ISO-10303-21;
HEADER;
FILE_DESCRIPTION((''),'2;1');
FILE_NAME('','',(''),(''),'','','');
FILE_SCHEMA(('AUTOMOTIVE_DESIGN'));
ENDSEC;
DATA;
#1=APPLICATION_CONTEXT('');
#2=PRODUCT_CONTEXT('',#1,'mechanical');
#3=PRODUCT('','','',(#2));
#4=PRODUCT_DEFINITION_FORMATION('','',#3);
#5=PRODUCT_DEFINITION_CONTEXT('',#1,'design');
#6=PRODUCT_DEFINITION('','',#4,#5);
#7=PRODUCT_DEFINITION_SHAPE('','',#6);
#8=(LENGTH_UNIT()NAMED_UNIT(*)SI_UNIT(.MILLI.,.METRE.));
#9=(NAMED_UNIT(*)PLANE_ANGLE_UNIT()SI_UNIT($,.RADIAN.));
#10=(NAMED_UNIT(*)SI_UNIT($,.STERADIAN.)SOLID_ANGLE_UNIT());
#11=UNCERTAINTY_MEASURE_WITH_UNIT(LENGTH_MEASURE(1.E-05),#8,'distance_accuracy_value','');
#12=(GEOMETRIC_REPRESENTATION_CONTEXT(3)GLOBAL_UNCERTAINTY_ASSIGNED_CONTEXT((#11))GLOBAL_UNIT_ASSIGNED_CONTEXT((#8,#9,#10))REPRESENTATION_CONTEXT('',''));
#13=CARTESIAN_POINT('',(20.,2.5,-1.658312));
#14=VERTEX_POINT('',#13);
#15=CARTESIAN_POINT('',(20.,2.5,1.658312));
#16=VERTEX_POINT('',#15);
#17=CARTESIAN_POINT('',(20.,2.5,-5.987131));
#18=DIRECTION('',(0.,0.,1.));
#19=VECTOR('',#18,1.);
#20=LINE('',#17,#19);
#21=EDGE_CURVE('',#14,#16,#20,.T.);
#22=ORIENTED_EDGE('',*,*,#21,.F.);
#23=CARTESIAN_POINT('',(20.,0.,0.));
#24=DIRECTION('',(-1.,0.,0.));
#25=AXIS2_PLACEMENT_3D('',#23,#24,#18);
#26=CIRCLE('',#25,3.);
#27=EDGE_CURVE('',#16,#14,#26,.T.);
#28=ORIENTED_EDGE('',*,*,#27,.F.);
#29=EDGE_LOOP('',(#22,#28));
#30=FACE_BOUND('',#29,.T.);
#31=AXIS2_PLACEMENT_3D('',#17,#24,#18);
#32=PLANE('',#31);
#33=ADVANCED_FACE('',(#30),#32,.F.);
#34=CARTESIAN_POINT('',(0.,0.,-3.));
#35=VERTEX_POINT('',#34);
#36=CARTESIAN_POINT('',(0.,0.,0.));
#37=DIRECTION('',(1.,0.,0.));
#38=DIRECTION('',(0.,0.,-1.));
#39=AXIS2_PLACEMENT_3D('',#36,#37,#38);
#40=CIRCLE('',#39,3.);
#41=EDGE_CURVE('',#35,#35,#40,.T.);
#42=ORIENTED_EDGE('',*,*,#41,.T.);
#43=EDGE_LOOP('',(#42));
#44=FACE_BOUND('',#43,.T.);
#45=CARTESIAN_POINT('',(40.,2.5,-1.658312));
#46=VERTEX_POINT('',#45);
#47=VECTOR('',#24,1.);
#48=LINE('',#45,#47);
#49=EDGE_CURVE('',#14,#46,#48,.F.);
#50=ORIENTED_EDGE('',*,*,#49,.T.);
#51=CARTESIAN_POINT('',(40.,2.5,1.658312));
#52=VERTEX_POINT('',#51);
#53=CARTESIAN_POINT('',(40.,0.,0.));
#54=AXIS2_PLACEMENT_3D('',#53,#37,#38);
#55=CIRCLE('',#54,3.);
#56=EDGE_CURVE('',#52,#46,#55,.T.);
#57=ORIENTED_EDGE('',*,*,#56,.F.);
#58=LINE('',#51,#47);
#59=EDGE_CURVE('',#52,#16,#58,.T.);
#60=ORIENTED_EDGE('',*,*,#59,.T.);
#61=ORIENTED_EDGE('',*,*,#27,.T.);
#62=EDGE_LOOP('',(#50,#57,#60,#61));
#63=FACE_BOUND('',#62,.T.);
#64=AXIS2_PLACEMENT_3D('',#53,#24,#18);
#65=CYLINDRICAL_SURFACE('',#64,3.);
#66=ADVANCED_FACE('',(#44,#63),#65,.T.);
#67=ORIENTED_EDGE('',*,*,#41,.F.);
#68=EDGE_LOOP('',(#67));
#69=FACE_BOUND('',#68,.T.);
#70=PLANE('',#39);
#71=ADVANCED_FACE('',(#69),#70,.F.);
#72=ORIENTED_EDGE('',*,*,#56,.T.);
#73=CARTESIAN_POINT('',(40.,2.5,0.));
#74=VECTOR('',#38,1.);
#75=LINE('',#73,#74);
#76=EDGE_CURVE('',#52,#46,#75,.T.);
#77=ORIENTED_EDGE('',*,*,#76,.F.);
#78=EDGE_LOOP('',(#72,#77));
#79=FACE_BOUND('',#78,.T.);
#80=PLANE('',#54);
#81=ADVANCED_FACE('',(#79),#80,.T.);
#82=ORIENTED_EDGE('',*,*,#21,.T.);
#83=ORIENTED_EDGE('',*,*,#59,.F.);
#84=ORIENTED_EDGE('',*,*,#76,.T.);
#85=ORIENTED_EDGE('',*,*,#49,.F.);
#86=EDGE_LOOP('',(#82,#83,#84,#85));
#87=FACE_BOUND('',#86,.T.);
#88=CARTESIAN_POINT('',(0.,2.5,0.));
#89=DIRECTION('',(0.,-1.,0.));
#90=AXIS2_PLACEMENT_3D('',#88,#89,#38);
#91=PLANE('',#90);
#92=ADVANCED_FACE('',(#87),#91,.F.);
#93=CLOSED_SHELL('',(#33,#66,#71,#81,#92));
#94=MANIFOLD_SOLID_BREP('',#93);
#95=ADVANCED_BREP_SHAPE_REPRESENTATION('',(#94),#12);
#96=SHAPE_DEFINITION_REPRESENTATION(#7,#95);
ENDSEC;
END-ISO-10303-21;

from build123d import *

# Parameters (mm, degrees)
SKETCH1_R           = 3
BOSS_EXTRUDE1_DEPTH = 40
SKETCH2_W           = 20
SKETCH2_H           = 11.151641582
CUT_EXTRUDE1_DEPTH  = 0.5


with BuildPart() as part:
    # Sketch1 → Boss-Extrude1 (new body)
    with BuildSketch(Plane(origin=(0, 0, 0), x_dir=(0, 0, -1), z_dir=(1, 0, 0))):
        Circle(SKETCH1_R)
    extrude(amount=BOSS_EXTRUDE1_DEPTH)

    # Sketch2 → Cut-Extrude1 (cut)
    with BuildSketch(Plane(origin=(0, 3, 0), x_dir=(1, 0, 0), z_dir=(0, 1, 0))):
        with Locations((30, 0.411310438)):
            Rectangle(SKETCH2_W, SKETCH2_H)
    extrude(amount=-CUT_EXTRUDE1_DEPTH, mode=Mode.SUBTRACT)


solid = part.part
